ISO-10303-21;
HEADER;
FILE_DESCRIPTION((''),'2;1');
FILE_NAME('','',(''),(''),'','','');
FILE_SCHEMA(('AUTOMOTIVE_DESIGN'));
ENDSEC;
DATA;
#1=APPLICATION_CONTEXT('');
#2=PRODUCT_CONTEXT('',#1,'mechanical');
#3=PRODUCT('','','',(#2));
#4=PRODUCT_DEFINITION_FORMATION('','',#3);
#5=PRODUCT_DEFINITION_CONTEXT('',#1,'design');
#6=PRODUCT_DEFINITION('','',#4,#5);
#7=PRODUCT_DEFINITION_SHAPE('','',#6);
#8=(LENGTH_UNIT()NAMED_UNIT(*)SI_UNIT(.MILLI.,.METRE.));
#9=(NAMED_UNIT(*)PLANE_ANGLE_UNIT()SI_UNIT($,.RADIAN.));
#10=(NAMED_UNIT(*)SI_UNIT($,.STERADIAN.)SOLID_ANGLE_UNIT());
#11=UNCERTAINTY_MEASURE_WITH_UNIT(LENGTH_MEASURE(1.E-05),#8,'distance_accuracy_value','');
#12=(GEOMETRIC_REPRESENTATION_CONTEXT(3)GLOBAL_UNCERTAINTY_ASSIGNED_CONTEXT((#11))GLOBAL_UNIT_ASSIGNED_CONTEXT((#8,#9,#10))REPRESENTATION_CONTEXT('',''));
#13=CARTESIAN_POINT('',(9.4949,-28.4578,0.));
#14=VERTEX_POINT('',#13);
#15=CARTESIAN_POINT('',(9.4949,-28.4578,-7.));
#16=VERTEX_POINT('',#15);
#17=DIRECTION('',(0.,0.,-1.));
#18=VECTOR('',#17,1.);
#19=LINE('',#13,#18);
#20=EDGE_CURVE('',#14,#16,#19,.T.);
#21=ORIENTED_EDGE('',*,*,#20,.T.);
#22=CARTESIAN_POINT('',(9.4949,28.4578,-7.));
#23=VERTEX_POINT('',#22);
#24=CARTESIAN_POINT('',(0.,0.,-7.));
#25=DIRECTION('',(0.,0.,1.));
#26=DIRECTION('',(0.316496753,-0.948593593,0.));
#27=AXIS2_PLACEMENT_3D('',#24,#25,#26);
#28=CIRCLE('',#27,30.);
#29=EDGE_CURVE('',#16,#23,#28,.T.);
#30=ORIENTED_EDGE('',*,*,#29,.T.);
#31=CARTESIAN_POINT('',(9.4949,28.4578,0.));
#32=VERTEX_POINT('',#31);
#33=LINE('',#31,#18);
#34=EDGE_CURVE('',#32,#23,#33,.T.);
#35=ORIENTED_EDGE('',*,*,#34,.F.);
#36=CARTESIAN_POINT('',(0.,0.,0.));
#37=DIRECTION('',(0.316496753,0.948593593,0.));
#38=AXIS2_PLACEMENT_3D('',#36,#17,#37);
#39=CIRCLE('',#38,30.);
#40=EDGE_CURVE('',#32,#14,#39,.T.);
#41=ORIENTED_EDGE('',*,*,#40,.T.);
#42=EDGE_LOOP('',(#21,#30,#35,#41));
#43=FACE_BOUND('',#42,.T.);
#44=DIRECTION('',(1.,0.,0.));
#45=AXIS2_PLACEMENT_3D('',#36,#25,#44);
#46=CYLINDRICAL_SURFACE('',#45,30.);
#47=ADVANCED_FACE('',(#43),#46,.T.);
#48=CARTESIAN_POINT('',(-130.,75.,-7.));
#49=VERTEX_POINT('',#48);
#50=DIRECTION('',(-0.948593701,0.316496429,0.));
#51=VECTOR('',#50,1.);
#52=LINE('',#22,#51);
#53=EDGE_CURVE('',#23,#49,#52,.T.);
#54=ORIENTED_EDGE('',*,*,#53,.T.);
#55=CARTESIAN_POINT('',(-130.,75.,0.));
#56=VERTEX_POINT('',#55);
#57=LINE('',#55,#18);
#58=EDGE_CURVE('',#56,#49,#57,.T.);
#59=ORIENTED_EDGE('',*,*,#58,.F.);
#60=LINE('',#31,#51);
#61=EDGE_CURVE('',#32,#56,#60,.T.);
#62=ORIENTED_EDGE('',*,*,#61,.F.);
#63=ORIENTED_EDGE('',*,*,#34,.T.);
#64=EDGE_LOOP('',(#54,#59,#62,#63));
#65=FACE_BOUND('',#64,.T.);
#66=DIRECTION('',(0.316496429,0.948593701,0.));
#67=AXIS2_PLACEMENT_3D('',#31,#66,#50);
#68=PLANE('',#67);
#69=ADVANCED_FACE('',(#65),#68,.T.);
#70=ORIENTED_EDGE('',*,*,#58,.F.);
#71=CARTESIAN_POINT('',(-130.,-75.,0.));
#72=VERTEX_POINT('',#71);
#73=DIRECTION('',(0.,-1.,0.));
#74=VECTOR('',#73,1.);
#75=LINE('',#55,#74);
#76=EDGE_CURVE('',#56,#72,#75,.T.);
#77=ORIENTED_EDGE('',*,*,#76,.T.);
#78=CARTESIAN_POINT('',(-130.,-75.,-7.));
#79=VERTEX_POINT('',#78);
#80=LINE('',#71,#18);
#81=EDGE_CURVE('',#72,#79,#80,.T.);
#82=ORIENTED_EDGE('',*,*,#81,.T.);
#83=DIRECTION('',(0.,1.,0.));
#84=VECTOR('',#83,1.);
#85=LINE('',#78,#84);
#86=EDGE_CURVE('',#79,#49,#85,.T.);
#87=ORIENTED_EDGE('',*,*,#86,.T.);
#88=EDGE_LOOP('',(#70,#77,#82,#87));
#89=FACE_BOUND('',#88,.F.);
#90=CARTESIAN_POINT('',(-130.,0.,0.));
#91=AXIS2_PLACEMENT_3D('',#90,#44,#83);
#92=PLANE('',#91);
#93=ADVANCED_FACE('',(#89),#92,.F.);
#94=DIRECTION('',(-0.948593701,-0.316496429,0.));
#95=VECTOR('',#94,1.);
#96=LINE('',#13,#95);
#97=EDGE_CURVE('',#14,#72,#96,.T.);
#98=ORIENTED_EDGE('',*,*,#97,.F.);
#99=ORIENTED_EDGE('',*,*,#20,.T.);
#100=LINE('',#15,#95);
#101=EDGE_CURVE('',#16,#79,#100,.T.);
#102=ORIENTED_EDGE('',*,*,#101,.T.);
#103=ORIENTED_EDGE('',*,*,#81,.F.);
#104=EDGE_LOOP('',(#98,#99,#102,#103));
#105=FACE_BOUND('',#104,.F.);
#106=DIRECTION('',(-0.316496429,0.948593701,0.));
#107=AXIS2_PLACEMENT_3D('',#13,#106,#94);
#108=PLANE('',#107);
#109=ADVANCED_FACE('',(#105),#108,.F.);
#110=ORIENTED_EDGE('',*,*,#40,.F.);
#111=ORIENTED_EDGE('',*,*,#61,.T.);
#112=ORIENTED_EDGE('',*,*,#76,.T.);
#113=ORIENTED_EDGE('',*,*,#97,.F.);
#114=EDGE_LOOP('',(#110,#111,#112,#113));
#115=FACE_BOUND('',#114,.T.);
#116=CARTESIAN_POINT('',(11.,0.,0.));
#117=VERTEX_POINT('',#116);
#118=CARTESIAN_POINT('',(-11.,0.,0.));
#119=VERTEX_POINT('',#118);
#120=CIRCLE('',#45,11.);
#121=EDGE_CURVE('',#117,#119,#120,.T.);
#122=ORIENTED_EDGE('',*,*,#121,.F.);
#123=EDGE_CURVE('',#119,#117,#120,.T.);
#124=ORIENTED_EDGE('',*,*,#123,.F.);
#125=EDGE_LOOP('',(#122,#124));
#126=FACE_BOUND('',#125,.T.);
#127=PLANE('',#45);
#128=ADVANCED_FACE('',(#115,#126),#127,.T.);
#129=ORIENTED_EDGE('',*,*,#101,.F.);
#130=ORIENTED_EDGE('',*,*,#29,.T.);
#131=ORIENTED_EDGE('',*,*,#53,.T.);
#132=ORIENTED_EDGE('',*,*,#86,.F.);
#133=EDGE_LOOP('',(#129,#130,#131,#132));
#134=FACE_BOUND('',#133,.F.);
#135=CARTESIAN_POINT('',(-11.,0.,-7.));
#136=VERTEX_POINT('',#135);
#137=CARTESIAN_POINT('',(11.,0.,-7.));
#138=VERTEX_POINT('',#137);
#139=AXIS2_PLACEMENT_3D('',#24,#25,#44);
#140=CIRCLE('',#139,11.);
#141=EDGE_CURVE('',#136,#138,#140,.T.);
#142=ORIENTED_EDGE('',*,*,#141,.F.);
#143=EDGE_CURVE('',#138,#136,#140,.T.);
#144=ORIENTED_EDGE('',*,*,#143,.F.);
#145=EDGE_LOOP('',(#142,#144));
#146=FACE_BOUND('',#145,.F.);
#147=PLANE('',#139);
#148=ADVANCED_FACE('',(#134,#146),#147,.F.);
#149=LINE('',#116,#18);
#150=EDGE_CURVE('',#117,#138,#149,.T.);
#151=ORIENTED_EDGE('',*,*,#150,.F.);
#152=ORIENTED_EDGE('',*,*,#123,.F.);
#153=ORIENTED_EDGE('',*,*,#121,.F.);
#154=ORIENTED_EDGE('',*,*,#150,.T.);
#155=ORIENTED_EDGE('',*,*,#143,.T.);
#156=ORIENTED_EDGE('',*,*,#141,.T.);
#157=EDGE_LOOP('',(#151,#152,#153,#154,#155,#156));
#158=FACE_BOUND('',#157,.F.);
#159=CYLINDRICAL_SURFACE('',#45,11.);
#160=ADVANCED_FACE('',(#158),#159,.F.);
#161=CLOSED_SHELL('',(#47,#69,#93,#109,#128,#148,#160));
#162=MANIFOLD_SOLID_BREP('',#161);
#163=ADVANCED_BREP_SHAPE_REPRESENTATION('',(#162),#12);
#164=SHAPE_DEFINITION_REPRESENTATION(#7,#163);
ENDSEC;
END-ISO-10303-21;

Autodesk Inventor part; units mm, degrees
ref_plane "YZ Plane" through (0, 0, 0) normal (1, 0, 0) x (0, 1, 0)
ref_plane "XZ Plane" through (0, 0, 0) normal (0, 1, 0) x (-1, 0, 0)
ref_plane "XY Plane" through (0, 0, 0) normal (0, 0, 1) x (1, 0, 0)
ref_plane "Work Plane1" through (0, 0, 0) normal (0, 0, 1) x (1, 0, 0)
sketch "Sketch1" plane through (0, 0, 0) normal (0, 0, 1) x (1, 0, 0)
  line L0 (0, 0) -> (-130, 0)
  line L1 (-130, 0) -> (-130, -75)
  line L2 (-130, 0) -> (-130, 75)
  circle A0 centre (0, 0) radius 11 projected
  circle A1 centre (0, 0) radius 30
  line L3 (9.4949, 28.4578) -> (-130, 75)
  line L4 (9.4949, -28.4578) -> (-130, -75)
  dimension "d2" = 60
  dimension "d3" = 150
  dimension "d4" = 130
extrude "Extrusion1" add sketch "Sketch1" against normal blind 7
properties part number "left stand"
